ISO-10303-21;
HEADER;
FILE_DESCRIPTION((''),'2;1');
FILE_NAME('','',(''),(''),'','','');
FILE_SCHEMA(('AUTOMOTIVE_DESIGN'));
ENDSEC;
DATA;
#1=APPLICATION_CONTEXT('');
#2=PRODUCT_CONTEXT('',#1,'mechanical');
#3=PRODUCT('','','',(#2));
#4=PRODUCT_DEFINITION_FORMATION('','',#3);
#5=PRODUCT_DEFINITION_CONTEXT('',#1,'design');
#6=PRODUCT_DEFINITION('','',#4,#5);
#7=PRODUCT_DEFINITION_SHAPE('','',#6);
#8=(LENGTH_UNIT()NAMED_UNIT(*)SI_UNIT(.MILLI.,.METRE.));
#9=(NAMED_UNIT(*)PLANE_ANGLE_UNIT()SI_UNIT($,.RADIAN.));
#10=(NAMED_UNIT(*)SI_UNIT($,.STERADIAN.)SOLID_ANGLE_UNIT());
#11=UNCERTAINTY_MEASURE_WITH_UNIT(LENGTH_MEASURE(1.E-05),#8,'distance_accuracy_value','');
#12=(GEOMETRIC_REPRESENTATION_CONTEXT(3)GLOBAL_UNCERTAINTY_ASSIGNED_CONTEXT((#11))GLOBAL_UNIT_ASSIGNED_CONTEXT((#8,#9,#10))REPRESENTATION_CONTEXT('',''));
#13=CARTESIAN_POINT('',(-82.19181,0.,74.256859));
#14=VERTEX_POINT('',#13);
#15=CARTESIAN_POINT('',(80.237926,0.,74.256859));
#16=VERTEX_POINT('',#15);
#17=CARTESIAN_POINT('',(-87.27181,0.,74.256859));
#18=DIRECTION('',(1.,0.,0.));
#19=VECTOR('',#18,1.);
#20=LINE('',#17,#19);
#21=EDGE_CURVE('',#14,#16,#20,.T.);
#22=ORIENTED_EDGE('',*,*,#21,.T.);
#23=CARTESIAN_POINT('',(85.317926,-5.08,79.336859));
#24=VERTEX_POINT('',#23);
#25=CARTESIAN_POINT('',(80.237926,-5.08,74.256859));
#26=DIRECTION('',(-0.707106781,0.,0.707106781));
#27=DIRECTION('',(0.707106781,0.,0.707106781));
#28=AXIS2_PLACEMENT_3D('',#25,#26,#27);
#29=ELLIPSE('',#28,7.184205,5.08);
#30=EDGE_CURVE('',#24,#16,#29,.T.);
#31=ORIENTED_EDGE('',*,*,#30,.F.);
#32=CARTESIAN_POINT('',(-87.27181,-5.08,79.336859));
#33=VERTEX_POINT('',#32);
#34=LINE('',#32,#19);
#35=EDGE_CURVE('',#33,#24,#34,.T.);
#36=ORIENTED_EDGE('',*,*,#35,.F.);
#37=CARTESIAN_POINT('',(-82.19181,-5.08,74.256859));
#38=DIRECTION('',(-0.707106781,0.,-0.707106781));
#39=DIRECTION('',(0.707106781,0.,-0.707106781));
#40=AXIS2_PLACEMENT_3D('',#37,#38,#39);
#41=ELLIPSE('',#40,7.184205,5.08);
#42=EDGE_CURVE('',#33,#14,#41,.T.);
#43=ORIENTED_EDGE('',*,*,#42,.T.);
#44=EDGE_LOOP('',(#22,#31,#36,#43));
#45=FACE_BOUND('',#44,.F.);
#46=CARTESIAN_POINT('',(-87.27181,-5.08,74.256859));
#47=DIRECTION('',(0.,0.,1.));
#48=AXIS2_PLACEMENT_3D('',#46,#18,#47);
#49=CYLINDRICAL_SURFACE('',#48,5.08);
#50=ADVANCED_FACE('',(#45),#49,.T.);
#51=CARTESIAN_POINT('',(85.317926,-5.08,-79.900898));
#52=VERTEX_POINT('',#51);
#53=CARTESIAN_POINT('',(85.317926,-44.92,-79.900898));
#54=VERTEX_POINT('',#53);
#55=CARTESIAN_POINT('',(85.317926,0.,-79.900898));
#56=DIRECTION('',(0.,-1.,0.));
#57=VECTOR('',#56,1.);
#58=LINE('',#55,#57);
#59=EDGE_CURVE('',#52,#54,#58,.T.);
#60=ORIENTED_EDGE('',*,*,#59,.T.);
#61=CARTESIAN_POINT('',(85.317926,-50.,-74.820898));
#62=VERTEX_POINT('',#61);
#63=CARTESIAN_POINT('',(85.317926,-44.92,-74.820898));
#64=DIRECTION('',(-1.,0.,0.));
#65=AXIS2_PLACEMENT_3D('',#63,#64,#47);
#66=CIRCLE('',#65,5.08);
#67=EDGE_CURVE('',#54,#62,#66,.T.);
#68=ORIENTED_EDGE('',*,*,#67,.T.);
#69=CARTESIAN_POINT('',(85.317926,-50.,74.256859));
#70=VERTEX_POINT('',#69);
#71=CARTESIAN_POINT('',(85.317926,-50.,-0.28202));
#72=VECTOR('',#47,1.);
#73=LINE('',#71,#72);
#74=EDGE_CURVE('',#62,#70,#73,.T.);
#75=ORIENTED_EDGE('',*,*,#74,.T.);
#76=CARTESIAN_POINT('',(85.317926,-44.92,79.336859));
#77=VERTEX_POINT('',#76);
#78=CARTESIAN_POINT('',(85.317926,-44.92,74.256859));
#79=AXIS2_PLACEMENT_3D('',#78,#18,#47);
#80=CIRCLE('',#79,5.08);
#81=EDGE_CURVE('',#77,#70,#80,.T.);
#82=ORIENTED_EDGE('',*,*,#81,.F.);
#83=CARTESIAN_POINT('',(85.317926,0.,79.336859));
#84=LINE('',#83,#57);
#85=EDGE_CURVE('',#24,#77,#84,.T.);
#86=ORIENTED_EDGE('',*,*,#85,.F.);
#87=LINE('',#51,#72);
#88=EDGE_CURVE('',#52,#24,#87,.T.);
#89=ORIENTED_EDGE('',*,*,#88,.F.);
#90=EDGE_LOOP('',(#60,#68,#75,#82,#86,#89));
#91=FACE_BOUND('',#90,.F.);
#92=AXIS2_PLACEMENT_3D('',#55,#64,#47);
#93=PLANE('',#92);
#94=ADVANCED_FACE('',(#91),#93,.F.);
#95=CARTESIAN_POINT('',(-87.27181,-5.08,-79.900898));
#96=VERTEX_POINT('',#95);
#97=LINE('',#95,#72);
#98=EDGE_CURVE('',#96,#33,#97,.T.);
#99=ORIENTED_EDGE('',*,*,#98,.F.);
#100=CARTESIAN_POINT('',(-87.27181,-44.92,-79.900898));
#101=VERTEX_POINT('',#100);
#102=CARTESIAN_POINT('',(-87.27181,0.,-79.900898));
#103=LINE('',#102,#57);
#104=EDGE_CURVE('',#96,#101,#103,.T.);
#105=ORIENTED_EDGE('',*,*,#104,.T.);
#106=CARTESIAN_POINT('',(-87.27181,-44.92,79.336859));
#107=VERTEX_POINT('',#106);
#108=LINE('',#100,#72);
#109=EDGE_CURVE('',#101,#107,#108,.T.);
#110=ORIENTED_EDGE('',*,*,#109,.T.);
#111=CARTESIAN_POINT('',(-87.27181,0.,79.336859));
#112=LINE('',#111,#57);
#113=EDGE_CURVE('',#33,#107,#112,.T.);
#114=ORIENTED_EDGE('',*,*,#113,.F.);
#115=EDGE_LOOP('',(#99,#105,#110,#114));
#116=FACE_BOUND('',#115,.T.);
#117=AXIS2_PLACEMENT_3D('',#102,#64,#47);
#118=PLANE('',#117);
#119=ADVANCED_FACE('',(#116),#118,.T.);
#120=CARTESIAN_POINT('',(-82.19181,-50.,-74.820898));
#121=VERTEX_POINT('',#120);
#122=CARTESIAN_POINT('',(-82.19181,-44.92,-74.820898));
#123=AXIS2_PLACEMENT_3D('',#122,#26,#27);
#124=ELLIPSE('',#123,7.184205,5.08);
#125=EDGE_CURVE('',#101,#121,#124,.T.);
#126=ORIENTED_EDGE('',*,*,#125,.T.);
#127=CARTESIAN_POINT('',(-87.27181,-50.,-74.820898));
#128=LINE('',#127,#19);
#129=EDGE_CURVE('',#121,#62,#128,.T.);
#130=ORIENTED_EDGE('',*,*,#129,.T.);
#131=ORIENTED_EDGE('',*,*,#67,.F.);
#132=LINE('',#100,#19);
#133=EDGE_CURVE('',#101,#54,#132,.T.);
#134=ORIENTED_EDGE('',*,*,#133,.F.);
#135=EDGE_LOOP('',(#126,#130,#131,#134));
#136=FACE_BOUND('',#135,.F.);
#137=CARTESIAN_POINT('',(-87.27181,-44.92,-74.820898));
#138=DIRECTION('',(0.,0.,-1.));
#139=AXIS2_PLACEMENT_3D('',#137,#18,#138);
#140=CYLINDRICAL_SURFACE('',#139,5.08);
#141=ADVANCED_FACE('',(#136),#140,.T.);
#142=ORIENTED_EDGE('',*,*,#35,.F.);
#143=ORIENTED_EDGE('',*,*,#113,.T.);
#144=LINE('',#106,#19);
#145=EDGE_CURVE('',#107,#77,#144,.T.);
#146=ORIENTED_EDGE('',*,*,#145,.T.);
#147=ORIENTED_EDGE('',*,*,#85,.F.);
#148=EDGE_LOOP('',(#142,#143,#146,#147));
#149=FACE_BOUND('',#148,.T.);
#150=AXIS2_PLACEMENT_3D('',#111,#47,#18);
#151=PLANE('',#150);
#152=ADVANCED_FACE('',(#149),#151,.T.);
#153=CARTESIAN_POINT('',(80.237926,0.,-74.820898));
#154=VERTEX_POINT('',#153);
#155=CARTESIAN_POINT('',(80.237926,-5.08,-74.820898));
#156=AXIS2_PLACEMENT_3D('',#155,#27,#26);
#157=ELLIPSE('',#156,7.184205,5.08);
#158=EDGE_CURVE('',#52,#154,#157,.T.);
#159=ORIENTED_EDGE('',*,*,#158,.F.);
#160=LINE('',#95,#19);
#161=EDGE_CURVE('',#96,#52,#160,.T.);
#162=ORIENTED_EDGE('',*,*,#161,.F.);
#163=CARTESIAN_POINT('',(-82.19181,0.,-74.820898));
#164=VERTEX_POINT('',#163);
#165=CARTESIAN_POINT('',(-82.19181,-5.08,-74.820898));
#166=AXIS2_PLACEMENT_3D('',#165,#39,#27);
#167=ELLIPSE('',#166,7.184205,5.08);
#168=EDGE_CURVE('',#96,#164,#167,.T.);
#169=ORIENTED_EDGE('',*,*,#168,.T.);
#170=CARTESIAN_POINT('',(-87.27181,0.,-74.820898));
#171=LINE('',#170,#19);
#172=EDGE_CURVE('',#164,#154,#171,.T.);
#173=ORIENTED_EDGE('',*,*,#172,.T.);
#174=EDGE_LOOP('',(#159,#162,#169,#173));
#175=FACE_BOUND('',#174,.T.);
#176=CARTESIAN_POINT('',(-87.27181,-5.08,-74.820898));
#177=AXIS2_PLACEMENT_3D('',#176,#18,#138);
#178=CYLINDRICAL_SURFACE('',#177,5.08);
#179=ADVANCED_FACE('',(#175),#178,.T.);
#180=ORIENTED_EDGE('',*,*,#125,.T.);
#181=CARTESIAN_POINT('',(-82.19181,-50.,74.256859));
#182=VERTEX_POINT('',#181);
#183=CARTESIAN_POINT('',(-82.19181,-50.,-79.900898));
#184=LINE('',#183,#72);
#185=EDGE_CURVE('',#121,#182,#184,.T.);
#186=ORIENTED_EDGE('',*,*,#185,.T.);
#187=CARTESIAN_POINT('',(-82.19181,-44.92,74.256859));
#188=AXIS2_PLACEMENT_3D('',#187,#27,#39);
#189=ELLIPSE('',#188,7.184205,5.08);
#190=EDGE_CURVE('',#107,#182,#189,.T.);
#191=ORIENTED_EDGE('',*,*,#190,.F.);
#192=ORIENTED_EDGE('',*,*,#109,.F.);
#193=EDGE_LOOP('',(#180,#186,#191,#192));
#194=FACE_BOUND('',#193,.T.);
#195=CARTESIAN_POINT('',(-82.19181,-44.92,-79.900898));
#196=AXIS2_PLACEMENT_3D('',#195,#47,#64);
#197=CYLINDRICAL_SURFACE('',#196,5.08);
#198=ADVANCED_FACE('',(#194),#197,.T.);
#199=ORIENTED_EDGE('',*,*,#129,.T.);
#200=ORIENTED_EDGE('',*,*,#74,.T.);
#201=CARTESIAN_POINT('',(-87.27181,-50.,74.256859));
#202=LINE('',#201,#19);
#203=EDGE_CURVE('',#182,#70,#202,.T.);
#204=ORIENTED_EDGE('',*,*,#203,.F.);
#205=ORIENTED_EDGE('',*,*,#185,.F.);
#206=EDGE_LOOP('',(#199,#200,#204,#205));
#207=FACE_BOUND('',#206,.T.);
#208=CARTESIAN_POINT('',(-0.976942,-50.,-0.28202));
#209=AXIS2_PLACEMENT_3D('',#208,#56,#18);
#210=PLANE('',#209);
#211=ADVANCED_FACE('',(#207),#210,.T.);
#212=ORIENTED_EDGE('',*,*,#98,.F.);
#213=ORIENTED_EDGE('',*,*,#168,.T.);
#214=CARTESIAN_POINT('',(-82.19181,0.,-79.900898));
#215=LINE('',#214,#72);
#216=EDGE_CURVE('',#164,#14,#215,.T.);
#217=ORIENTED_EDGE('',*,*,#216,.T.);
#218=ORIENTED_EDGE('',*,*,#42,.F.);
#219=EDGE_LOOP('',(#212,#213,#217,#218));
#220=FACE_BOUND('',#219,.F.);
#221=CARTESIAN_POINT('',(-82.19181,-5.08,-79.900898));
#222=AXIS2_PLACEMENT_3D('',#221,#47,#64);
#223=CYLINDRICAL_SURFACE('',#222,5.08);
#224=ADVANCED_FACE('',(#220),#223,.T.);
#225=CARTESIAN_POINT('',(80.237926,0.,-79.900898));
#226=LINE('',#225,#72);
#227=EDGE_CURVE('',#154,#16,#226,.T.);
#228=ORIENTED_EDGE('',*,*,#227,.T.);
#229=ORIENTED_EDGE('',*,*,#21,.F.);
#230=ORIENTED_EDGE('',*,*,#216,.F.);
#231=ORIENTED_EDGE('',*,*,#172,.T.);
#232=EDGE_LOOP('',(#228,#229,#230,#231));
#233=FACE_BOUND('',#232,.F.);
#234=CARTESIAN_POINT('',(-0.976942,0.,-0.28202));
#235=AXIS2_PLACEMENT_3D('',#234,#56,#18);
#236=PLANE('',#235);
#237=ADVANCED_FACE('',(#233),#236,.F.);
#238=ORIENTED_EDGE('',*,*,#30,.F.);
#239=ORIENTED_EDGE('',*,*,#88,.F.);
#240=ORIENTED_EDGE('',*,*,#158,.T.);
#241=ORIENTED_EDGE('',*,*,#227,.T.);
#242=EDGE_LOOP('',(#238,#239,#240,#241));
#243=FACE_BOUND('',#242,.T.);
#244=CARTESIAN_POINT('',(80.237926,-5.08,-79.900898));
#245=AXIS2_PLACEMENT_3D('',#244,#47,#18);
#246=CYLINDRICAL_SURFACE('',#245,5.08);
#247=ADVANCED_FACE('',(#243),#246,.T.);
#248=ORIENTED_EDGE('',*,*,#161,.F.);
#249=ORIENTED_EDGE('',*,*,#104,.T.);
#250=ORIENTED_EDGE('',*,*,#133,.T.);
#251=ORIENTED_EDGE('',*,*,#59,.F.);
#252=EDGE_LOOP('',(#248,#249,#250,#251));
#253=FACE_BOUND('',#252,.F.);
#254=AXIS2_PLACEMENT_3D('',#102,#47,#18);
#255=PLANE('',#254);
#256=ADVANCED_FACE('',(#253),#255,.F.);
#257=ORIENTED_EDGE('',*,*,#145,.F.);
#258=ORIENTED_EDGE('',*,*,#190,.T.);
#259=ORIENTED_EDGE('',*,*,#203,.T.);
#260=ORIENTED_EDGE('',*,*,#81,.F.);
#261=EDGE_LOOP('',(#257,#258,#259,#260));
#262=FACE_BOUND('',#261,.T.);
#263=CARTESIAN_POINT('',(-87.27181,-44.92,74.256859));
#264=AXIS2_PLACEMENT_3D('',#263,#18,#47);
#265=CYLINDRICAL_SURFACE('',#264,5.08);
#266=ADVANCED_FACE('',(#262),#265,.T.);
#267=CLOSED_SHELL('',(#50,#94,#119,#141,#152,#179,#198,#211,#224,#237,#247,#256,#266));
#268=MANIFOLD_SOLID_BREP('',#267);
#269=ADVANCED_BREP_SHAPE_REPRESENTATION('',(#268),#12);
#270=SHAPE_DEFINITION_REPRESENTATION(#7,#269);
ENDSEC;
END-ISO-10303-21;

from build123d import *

# Parameters (mm, degrees)
F0_W     = 172.589735
F0_H     = 159.237757
F1_DEPTH = 50
F2_R     = 5.08


with BuildPart() as f1:
    # F0 (on Front) → F1 (new body)
    with BuildSketch(Plane.XZ):
        with Locations((-0.976942, -0.28202)):
            Rectangle(F0_W, F0_H)
    extrude(amount=F1_DEPTH)

    # F2
    f2_edges = [f1.edges().sort_by_distance(p)[0] for p in [
        (-0.976942, -50, 79.336859),
        (-87.27181, -50, -0.282019),
        (-0.976942, 0, 79.336859),
        (85.317925, 0, -0.282019),
        (-87.27181, 0, -0.282019),
        (-0.976942, 0, -79.900898),
        (-0.976942, -50, -79.900898),
    ]]
    fillet(f2_edges, radius=F2_R)


solid = f1.part
